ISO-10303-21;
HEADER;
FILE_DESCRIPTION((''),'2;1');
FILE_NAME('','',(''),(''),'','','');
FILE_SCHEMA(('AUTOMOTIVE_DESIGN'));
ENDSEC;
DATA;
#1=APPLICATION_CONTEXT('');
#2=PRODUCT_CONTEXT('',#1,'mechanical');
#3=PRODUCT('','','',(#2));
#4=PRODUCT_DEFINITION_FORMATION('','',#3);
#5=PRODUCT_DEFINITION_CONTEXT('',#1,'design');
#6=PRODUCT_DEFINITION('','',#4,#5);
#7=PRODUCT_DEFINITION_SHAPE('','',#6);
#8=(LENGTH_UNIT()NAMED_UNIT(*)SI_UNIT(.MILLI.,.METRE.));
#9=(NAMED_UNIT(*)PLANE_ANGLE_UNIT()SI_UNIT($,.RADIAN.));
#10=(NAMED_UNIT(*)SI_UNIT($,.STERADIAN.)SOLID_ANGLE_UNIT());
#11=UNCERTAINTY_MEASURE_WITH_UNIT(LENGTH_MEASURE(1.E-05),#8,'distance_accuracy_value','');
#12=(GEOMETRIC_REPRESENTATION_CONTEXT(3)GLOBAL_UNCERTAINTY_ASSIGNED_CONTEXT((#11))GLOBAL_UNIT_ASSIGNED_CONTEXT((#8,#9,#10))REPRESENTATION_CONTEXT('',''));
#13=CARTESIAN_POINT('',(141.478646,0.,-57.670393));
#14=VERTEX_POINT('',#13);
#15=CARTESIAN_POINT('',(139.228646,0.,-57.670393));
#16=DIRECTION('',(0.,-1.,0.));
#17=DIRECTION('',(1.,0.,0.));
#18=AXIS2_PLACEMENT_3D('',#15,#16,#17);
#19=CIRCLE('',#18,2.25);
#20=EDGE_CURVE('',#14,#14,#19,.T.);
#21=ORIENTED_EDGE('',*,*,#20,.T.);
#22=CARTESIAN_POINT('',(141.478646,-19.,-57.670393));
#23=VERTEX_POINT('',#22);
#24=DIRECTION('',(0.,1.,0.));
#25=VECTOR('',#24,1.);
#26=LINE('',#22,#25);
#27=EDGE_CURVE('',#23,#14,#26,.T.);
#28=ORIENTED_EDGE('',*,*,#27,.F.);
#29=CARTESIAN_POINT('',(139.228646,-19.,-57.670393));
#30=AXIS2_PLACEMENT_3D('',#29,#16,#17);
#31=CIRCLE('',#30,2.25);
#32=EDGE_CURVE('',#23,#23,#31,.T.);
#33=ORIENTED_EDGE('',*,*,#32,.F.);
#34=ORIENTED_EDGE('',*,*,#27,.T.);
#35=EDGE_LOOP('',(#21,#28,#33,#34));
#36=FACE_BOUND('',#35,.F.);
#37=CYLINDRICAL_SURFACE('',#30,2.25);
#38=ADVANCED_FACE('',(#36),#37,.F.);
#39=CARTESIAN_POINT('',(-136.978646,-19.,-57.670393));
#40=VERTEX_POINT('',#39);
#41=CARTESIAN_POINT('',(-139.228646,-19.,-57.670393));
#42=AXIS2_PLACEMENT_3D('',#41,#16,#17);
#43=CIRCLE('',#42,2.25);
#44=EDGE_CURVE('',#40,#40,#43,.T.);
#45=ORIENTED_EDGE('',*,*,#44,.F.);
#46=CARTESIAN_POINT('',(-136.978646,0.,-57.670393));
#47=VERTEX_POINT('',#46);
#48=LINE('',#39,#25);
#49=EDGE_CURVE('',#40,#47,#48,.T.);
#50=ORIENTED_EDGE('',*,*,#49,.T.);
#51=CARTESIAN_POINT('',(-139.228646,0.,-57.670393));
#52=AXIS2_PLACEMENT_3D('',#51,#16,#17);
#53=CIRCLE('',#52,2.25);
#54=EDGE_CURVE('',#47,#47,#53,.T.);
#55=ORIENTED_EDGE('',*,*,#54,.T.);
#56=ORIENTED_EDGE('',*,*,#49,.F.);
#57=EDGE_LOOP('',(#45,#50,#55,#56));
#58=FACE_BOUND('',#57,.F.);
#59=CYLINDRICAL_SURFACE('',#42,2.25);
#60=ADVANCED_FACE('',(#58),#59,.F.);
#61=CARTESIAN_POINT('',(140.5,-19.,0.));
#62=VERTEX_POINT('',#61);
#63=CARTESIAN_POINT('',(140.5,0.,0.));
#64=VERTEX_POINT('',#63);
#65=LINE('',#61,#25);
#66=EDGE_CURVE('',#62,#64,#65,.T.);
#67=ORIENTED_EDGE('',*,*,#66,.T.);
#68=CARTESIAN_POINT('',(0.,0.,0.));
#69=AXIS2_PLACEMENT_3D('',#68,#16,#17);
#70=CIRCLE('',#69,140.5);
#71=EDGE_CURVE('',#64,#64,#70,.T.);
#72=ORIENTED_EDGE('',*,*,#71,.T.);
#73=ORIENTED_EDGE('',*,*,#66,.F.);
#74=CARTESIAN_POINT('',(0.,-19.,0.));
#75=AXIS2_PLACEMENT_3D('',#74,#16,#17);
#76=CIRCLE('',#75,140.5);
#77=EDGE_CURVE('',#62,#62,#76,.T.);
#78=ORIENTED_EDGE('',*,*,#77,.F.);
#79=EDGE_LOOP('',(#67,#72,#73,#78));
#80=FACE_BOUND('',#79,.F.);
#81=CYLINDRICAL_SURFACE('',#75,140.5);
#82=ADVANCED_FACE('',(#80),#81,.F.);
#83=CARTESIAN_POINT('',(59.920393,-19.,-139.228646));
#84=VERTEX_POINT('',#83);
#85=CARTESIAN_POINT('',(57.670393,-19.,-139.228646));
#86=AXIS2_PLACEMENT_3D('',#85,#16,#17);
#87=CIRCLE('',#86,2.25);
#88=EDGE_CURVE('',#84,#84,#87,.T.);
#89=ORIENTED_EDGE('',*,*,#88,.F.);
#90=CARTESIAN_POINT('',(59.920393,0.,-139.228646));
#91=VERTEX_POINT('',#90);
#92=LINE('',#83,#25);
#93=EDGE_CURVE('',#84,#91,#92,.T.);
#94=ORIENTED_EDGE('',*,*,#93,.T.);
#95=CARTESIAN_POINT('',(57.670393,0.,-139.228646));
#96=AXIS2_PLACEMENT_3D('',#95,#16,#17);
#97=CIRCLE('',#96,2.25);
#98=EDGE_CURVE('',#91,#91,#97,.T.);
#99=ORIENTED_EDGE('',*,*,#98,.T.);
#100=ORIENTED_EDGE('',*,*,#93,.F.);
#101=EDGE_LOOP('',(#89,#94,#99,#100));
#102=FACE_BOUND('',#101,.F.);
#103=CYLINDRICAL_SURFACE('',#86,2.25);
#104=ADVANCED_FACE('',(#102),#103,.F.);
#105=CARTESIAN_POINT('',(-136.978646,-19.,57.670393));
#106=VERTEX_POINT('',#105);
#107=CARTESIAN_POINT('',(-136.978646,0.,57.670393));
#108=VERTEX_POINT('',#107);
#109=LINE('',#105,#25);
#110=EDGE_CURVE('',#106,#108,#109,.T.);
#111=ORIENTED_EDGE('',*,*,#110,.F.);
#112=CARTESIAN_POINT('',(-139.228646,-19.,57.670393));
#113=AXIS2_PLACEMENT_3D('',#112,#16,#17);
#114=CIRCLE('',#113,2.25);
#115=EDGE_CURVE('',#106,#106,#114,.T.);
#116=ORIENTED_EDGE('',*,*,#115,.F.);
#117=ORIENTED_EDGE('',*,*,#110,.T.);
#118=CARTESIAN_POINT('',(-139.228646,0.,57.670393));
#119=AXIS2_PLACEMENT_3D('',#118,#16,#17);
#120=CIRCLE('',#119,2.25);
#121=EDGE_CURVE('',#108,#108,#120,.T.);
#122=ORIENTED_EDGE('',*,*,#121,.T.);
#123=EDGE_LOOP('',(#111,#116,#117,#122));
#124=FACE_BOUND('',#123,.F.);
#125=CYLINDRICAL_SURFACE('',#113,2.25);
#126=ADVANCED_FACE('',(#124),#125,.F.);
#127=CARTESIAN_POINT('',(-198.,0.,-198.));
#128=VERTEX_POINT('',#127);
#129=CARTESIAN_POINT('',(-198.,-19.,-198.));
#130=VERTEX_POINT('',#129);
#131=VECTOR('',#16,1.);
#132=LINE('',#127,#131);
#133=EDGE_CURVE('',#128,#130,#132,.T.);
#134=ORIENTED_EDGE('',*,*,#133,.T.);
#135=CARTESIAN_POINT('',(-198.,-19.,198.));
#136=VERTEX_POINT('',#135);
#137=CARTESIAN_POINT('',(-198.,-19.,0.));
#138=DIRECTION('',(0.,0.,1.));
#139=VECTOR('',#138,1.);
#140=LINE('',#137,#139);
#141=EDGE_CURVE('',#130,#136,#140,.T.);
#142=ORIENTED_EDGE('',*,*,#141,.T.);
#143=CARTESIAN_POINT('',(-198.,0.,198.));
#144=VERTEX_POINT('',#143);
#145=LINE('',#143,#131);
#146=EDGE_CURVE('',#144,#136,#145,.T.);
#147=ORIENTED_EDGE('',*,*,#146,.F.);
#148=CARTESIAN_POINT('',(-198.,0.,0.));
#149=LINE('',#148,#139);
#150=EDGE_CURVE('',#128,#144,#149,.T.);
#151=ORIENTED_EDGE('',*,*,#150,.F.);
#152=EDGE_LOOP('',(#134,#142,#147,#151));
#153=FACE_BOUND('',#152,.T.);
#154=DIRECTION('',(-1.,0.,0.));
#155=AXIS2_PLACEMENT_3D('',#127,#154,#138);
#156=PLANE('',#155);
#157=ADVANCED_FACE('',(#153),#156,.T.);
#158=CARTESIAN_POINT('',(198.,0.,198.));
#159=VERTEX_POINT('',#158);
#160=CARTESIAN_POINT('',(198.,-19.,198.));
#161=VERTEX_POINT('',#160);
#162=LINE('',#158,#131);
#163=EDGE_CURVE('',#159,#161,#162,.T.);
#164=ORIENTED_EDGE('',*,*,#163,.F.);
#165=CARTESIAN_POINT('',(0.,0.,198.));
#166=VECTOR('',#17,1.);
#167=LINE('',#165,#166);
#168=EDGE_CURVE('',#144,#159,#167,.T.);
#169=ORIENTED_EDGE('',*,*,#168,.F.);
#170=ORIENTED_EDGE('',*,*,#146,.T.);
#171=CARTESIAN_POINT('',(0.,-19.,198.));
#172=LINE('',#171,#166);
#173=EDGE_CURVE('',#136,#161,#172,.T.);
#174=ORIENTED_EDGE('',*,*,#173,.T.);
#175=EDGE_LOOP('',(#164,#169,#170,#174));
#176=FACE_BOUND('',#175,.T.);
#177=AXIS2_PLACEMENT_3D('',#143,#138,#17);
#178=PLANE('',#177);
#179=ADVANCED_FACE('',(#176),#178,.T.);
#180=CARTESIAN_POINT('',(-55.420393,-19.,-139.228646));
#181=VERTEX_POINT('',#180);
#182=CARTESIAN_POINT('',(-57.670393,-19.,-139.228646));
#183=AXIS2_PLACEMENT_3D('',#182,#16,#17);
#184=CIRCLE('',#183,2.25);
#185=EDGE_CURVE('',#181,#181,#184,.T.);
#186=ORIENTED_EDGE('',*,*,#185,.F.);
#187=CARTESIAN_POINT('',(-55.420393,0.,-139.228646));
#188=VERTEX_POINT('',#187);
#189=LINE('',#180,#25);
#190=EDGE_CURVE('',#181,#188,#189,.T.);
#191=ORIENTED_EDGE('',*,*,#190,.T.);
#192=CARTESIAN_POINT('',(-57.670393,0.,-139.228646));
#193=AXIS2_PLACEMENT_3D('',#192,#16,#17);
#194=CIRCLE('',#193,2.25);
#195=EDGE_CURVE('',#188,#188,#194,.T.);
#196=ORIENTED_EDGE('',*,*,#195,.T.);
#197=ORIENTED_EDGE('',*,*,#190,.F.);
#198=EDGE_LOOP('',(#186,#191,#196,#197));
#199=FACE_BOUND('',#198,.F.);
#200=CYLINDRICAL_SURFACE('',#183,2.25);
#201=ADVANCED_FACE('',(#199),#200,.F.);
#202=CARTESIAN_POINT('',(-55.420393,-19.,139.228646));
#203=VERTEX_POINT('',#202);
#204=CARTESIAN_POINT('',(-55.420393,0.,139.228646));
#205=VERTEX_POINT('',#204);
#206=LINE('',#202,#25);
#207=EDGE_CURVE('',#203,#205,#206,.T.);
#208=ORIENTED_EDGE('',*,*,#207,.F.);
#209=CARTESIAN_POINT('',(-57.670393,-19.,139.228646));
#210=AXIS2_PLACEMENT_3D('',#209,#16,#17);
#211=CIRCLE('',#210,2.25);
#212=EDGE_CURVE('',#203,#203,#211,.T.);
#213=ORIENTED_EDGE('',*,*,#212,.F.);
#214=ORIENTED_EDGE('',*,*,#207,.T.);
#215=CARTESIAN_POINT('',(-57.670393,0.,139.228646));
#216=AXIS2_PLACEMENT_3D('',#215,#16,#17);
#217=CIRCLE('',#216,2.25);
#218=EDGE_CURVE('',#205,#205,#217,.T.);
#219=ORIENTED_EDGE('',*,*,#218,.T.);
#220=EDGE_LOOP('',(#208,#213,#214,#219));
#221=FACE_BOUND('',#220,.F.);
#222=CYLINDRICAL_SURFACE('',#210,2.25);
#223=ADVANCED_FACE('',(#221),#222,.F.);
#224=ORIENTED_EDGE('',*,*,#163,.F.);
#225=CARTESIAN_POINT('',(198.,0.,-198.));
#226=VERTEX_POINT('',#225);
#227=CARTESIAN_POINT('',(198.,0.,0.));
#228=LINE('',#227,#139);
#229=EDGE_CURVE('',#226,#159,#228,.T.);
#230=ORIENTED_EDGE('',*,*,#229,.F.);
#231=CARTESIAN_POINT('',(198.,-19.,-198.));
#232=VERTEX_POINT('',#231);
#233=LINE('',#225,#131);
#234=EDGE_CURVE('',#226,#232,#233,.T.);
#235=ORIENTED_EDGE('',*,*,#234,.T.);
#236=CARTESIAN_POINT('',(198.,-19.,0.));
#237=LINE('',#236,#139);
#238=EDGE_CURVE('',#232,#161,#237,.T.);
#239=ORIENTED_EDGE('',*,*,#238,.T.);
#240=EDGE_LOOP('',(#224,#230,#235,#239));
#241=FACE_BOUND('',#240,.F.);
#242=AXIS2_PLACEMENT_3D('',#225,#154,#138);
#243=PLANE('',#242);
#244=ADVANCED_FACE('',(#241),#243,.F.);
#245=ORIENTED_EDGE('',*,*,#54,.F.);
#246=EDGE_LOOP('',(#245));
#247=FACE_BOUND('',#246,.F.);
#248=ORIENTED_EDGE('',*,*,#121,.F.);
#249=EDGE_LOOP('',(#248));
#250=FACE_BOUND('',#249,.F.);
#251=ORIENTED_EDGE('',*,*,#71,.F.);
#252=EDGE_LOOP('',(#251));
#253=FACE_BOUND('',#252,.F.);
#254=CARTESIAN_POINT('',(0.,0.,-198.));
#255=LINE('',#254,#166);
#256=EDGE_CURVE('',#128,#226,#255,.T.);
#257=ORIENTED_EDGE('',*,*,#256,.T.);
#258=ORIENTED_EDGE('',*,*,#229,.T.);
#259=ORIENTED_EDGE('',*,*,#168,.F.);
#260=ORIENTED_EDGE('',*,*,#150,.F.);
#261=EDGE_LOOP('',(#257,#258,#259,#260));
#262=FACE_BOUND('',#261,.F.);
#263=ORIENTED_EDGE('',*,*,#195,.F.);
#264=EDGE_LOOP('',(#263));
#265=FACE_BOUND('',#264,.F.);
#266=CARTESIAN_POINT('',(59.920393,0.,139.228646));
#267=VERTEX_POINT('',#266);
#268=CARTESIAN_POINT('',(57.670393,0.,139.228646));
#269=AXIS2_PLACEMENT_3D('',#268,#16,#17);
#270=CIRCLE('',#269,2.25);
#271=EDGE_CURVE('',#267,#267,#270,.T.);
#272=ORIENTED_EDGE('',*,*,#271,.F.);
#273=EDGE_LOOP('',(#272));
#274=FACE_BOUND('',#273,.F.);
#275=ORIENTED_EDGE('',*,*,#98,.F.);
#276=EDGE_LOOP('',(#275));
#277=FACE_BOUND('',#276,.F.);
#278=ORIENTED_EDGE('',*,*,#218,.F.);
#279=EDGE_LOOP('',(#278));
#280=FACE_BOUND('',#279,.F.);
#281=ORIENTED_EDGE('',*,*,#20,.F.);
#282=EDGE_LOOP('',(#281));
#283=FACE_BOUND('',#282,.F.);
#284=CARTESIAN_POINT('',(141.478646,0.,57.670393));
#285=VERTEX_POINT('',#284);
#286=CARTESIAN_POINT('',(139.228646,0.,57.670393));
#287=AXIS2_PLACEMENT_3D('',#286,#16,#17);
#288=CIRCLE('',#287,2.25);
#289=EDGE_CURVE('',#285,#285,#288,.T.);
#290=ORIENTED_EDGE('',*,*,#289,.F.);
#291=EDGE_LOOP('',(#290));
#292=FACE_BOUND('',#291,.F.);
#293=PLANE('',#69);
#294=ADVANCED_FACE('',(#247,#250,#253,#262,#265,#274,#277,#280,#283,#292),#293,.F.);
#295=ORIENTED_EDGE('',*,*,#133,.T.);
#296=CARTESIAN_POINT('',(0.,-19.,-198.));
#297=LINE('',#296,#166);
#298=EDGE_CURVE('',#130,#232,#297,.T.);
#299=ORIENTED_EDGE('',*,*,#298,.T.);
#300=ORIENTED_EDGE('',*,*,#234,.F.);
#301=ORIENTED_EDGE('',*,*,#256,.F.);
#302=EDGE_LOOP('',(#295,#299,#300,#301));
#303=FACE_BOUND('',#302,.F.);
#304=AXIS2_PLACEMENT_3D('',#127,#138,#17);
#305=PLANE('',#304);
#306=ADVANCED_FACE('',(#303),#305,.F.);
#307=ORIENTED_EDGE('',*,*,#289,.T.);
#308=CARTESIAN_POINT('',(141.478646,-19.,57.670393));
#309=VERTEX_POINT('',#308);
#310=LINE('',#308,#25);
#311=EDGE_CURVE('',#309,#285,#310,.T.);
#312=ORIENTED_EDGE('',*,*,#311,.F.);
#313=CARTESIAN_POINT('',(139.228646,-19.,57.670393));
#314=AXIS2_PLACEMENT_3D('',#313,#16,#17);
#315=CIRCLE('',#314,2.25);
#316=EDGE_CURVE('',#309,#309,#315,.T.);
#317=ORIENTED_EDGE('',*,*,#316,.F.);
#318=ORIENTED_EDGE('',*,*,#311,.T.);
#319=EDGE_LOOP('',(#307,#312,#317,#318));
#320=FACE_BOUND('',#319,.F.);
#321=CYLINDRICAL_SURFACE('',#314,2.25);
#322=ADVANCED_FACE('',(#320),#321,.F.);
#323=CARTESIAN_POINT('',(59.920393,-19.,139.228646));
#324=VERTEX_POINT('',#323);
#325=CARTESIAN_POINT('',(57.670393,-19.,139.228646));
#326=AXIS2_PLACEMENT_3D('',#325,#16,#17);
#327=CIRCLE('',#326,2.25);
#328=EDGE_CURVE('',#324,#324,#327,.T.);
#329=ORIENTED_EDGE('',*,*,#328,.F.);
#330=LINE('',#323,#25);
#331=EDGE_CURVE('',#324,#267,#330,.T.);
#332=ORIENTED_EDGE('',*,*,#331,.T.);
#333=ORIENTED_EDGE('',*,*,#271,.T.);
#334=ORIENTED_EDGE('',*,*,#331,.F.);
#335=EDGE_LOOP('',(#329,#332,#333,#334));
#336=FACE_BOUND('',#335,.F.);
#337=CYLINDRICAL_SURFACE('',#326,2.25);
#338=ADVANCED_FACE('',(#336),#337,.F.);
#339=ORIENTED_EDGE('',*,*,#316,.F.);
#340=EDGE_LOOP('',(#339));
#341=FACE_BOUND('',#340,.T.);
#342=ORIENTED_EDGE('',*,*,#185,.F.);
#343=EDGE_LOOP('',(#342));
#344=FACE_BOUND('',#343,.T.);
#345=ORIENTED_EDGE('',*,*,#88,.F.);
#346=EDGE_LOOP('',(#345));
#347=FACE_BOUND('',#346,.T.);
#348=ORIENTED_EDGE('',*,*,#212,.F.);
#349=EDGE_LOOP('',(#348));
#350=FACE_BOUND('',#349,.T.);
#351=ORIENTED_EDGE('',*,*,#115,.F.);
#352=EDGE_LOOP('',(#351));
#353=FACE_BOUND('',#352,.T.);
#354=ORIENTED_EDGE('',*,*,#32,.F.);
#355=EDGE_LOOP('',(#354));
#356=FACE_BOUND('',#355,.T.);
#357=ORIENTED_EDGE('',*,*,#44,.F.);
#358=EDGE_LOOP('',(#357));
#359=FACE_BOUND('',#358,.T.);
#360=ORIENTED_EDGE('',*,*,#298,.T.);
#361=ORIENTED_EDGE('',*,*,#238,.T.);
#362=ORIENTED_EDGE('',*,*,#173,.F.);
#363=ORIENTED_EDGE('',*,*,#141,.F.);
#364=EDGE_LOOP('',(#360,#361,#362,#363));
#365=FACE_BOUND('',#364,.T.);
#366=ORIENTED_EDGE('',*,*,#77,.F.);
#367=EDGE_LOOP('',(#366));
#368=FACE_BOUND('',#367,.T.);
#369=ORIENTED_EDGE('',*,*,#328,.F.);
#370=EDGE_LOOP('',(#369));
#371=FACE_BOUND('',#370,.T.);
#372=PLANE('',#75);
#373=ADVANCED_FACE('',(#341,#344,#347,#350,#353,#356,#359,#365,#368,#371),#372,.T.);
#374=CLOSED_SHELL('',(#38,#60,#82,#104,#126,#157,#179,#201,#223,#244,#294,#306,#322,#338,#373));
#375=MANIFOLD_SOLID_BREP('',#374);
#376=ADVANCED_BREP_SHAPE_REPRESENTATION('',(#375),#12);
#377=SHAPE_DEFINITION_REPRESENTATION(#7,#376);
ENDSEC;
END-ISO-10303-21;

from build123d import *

# Parameters (mm, degrees)
F0_W     = 396
F0_H     = 396
F1_DEPTH = 19
F2_R     = 140.5
F3_DEPTH = 25.4
F4_R     = 2.25
F5_DEPTH = 25.4


with BuildPart() as f1:
    # F0 (on Front) → F1 (new body)
    with BuildSketch(Plane.XZ):
        Rectangle(F0_W, F0_H)
    extrude(amount=F1_DEPTH)

    # F2 (on face) → F3 (cut)
    with BuildSketch(Plane.XZ.offset(19)):
        Circle(F2_R)
    extrude(amount=-F3_DEPTH, mode=Mode.SUBTRACT)

    # F4 (on face) → F5 (cut)
    with BuildSketch(Plane.XZ.offset(19)):
        with Locations((57.670393, 139.228646)):
            Circle(F4_R)
        with Locations((139.228646, 57.670393)):
            Circle(F4_R)
        with Locations((139.228646, -57.670393)):
            Circle(F4_R)
        with Locations((57.670393, -139.228646)):
            Circle(F4_R)
        with Locations((-57.670393, -139.228646)):
            Circle(F4_R)
        with Locations((-139.228646, -57.670393)):
            Circle(F4_R)
        with Locations((-139.228646, 57.670393)):
            Circle(F4_R)
        with Locations((-57.670393, 139.228646)):
            Circle(F4_R)
    extrude(amount=-F5_DEPTH, mode=Mode.SUBTRACT)


solid = f1.part
